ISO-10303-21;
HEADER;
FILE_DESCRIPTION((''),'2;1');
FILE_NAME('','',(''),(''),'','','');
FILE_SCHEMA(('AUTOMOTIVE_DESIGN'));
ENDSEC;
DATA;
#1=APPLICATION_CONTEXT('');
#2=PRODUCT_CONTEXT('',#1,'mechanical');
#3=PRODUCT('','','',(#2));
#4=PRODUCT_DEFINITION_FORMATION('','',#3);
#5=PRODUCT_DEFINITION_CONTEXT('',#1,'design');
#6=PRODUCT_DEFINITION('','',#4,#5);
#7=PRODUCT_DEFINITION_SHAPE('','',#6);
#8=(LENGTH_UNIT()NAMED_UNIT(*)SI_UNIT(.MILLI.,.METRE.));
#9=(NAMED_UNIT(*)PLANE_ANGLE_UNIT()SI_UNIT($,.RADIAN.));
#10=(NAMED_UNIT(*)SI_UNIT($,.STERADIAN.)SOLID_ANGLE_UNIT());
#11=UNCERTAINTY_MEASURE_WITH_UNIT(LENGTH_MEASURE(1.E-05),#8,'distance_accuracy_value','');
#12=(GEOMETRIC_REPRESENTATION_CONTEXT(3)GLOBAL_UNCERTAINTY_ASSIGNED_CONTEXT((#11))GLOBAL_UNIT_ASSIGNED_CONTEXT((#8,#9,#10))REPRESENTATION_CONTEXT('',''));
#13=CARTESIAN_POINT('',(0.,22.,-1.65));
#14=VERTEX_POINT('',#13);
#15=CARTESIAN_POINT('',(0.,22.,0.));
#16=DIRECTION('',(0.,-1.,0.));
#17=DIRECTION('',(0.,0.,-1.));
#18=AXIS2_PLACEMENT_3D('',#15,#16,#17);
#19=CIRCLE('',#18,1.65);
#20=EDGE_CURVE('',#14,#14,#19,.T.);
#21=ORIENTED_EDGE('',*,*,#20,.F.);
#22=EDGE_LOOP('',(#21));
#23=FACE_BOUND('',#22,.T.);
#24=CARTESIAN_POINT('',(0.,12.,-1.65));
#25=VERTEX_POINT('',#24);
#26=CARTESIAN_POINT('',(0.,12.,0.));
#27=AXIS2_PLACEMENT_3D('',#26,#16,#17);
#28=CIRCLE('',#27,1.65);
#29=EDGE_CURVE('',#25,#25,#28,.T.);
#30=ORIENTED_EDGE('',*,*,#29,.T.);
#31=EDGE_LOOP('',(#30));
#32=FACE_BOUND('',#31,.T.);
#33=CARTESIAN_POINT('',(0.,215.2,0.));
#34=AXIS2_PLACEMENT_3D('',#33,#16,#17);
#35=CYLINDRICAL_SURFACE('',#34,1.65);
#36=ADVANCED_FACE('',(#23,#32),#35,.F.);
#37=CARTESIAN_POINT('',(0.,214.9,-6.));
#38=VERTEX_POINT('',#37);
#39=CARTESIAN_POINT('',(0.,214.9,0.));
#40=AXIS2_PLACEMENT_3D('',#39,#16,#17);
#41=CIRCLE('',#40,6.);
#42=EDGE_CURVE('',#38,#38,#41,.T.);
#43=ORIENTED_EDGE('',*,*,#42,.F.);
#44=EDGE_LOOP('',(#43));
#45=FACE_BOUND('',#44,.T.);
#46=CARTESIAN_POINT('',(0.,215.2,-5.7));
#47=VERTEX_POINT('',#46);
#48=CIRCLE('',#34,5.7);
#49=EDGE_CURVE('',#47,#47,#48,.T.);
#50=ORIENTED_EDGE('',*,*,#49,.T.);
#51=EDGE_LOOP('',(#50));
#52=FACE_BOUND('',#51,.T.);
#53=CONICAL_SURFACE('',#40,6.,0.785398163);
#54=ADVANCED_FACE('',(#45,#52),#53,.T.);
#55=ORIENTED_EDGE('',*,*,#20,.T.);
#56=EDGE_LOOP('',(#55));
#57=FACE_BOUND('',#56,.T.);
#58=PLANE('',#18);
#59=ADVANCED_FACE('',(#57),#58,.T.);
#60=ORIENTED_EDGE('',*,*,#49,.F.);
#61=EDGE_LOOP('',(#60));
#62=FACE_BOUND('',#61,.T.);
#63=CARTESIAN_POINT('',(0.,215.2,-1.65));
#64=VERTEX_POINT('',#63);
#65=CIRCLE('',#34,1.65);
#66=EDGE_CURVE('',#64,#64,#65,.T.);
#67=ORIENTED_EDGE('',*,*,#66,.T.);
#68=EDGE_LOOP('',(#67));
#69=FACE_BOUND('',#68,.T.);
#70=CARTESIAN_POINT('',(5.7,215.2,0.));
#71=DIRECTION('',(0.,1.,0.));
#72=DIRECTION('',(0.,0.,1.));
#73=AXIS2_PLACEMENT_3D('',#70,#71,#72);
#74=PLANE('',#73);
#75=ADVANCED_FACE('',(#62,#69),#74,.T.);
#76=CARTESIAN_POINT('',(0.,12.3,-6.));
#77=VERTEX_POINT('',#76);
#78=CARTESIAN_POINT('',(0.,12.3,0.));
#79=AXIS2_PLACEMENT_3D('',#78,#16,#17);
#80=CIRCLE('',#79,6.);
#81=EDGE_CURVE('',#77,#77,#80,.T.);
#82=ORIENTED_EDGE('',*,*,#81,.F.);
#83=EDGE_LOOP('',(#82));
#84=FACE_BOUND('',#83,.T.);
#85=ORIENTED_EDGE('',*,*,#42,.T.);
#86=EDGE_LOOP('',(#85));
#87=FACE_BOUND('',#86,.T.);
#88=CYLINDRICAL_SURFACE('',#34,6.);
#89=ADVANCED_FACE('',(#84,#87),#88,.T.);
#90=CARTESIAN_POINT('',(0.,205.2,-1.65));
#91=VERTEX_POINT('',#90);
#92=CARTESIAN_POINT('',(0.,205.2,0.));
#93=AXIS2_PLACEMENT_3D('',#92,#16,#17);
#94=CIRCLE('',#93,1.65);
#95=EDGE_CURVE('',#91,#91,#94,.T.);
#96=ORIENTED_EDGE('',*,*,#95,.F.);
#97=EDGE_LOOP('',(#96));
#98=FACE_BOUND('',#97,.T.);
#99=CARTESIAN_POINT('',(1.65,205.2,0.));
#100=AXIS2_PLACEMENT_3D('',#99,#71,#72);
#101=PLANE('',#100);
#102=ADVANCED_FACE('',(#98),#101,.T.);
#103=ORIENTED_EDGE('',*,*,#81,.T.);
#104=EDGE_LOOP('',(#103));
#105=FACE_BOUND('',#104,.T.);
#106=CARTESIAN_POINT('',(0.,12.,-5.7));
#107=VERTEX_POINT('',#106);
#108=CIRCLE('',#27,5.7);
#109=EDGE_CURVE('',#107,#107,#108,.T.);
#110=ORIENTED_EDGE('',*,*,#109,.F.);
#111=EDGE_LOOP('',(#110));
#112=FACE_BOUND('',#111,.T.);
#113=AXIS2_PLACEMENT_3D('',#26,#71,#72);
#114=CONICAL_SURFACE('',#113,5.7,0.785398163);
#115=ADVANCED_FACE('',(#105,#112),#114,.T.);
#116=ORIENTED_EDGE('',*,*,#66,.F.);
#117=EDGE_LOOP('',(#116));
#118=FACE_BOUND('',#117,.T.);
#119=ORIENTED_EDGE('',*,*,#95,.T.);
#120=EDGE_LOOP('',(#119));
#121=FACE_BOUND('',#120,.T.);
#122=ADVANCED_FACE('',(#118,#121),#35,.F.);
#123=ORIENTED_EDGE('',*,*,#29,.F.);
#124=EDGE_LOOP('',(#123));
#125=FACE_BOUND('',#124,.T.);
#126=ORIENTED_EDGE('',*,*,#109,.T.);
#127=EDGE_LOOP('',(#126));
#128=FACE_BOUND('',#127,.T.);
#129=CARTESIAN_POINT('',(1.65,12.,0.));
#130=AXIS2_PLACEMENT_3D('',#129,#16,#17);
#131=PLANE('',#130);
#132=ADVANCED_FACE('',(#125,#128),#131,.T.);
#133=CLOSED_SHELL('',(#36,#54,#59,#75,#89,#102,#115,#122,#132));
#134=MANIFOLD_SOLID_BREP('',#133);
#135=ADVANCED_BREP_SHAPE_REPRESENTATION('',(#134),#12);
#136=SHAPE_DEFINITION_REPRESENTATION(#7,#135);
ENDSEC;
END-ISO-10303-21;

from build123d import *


with BuildPart() as part:
    # Esboço1 → Revolução1 (revolve)
    with BuildSketch(Plane.XY, mode=Mode.PRIVATE) as revolu_o1_sk:
        Polygon((1.65, 205.2), (0, 205.2), (0, 22), (1.65, 22), (1.65, 12), (5.7, 12), (6, 12.3), (6, 214.9), (5.7, 215.2), (1.65, 215.2), align=None)
    revolve(revolu_o1_sk.sketch.rotate(Axis((0, 215.2, 0), (0, -1, 0)), 270), axis=Axis((0, 215.2, 0), (0, -1, 0)))


solid = part.part
